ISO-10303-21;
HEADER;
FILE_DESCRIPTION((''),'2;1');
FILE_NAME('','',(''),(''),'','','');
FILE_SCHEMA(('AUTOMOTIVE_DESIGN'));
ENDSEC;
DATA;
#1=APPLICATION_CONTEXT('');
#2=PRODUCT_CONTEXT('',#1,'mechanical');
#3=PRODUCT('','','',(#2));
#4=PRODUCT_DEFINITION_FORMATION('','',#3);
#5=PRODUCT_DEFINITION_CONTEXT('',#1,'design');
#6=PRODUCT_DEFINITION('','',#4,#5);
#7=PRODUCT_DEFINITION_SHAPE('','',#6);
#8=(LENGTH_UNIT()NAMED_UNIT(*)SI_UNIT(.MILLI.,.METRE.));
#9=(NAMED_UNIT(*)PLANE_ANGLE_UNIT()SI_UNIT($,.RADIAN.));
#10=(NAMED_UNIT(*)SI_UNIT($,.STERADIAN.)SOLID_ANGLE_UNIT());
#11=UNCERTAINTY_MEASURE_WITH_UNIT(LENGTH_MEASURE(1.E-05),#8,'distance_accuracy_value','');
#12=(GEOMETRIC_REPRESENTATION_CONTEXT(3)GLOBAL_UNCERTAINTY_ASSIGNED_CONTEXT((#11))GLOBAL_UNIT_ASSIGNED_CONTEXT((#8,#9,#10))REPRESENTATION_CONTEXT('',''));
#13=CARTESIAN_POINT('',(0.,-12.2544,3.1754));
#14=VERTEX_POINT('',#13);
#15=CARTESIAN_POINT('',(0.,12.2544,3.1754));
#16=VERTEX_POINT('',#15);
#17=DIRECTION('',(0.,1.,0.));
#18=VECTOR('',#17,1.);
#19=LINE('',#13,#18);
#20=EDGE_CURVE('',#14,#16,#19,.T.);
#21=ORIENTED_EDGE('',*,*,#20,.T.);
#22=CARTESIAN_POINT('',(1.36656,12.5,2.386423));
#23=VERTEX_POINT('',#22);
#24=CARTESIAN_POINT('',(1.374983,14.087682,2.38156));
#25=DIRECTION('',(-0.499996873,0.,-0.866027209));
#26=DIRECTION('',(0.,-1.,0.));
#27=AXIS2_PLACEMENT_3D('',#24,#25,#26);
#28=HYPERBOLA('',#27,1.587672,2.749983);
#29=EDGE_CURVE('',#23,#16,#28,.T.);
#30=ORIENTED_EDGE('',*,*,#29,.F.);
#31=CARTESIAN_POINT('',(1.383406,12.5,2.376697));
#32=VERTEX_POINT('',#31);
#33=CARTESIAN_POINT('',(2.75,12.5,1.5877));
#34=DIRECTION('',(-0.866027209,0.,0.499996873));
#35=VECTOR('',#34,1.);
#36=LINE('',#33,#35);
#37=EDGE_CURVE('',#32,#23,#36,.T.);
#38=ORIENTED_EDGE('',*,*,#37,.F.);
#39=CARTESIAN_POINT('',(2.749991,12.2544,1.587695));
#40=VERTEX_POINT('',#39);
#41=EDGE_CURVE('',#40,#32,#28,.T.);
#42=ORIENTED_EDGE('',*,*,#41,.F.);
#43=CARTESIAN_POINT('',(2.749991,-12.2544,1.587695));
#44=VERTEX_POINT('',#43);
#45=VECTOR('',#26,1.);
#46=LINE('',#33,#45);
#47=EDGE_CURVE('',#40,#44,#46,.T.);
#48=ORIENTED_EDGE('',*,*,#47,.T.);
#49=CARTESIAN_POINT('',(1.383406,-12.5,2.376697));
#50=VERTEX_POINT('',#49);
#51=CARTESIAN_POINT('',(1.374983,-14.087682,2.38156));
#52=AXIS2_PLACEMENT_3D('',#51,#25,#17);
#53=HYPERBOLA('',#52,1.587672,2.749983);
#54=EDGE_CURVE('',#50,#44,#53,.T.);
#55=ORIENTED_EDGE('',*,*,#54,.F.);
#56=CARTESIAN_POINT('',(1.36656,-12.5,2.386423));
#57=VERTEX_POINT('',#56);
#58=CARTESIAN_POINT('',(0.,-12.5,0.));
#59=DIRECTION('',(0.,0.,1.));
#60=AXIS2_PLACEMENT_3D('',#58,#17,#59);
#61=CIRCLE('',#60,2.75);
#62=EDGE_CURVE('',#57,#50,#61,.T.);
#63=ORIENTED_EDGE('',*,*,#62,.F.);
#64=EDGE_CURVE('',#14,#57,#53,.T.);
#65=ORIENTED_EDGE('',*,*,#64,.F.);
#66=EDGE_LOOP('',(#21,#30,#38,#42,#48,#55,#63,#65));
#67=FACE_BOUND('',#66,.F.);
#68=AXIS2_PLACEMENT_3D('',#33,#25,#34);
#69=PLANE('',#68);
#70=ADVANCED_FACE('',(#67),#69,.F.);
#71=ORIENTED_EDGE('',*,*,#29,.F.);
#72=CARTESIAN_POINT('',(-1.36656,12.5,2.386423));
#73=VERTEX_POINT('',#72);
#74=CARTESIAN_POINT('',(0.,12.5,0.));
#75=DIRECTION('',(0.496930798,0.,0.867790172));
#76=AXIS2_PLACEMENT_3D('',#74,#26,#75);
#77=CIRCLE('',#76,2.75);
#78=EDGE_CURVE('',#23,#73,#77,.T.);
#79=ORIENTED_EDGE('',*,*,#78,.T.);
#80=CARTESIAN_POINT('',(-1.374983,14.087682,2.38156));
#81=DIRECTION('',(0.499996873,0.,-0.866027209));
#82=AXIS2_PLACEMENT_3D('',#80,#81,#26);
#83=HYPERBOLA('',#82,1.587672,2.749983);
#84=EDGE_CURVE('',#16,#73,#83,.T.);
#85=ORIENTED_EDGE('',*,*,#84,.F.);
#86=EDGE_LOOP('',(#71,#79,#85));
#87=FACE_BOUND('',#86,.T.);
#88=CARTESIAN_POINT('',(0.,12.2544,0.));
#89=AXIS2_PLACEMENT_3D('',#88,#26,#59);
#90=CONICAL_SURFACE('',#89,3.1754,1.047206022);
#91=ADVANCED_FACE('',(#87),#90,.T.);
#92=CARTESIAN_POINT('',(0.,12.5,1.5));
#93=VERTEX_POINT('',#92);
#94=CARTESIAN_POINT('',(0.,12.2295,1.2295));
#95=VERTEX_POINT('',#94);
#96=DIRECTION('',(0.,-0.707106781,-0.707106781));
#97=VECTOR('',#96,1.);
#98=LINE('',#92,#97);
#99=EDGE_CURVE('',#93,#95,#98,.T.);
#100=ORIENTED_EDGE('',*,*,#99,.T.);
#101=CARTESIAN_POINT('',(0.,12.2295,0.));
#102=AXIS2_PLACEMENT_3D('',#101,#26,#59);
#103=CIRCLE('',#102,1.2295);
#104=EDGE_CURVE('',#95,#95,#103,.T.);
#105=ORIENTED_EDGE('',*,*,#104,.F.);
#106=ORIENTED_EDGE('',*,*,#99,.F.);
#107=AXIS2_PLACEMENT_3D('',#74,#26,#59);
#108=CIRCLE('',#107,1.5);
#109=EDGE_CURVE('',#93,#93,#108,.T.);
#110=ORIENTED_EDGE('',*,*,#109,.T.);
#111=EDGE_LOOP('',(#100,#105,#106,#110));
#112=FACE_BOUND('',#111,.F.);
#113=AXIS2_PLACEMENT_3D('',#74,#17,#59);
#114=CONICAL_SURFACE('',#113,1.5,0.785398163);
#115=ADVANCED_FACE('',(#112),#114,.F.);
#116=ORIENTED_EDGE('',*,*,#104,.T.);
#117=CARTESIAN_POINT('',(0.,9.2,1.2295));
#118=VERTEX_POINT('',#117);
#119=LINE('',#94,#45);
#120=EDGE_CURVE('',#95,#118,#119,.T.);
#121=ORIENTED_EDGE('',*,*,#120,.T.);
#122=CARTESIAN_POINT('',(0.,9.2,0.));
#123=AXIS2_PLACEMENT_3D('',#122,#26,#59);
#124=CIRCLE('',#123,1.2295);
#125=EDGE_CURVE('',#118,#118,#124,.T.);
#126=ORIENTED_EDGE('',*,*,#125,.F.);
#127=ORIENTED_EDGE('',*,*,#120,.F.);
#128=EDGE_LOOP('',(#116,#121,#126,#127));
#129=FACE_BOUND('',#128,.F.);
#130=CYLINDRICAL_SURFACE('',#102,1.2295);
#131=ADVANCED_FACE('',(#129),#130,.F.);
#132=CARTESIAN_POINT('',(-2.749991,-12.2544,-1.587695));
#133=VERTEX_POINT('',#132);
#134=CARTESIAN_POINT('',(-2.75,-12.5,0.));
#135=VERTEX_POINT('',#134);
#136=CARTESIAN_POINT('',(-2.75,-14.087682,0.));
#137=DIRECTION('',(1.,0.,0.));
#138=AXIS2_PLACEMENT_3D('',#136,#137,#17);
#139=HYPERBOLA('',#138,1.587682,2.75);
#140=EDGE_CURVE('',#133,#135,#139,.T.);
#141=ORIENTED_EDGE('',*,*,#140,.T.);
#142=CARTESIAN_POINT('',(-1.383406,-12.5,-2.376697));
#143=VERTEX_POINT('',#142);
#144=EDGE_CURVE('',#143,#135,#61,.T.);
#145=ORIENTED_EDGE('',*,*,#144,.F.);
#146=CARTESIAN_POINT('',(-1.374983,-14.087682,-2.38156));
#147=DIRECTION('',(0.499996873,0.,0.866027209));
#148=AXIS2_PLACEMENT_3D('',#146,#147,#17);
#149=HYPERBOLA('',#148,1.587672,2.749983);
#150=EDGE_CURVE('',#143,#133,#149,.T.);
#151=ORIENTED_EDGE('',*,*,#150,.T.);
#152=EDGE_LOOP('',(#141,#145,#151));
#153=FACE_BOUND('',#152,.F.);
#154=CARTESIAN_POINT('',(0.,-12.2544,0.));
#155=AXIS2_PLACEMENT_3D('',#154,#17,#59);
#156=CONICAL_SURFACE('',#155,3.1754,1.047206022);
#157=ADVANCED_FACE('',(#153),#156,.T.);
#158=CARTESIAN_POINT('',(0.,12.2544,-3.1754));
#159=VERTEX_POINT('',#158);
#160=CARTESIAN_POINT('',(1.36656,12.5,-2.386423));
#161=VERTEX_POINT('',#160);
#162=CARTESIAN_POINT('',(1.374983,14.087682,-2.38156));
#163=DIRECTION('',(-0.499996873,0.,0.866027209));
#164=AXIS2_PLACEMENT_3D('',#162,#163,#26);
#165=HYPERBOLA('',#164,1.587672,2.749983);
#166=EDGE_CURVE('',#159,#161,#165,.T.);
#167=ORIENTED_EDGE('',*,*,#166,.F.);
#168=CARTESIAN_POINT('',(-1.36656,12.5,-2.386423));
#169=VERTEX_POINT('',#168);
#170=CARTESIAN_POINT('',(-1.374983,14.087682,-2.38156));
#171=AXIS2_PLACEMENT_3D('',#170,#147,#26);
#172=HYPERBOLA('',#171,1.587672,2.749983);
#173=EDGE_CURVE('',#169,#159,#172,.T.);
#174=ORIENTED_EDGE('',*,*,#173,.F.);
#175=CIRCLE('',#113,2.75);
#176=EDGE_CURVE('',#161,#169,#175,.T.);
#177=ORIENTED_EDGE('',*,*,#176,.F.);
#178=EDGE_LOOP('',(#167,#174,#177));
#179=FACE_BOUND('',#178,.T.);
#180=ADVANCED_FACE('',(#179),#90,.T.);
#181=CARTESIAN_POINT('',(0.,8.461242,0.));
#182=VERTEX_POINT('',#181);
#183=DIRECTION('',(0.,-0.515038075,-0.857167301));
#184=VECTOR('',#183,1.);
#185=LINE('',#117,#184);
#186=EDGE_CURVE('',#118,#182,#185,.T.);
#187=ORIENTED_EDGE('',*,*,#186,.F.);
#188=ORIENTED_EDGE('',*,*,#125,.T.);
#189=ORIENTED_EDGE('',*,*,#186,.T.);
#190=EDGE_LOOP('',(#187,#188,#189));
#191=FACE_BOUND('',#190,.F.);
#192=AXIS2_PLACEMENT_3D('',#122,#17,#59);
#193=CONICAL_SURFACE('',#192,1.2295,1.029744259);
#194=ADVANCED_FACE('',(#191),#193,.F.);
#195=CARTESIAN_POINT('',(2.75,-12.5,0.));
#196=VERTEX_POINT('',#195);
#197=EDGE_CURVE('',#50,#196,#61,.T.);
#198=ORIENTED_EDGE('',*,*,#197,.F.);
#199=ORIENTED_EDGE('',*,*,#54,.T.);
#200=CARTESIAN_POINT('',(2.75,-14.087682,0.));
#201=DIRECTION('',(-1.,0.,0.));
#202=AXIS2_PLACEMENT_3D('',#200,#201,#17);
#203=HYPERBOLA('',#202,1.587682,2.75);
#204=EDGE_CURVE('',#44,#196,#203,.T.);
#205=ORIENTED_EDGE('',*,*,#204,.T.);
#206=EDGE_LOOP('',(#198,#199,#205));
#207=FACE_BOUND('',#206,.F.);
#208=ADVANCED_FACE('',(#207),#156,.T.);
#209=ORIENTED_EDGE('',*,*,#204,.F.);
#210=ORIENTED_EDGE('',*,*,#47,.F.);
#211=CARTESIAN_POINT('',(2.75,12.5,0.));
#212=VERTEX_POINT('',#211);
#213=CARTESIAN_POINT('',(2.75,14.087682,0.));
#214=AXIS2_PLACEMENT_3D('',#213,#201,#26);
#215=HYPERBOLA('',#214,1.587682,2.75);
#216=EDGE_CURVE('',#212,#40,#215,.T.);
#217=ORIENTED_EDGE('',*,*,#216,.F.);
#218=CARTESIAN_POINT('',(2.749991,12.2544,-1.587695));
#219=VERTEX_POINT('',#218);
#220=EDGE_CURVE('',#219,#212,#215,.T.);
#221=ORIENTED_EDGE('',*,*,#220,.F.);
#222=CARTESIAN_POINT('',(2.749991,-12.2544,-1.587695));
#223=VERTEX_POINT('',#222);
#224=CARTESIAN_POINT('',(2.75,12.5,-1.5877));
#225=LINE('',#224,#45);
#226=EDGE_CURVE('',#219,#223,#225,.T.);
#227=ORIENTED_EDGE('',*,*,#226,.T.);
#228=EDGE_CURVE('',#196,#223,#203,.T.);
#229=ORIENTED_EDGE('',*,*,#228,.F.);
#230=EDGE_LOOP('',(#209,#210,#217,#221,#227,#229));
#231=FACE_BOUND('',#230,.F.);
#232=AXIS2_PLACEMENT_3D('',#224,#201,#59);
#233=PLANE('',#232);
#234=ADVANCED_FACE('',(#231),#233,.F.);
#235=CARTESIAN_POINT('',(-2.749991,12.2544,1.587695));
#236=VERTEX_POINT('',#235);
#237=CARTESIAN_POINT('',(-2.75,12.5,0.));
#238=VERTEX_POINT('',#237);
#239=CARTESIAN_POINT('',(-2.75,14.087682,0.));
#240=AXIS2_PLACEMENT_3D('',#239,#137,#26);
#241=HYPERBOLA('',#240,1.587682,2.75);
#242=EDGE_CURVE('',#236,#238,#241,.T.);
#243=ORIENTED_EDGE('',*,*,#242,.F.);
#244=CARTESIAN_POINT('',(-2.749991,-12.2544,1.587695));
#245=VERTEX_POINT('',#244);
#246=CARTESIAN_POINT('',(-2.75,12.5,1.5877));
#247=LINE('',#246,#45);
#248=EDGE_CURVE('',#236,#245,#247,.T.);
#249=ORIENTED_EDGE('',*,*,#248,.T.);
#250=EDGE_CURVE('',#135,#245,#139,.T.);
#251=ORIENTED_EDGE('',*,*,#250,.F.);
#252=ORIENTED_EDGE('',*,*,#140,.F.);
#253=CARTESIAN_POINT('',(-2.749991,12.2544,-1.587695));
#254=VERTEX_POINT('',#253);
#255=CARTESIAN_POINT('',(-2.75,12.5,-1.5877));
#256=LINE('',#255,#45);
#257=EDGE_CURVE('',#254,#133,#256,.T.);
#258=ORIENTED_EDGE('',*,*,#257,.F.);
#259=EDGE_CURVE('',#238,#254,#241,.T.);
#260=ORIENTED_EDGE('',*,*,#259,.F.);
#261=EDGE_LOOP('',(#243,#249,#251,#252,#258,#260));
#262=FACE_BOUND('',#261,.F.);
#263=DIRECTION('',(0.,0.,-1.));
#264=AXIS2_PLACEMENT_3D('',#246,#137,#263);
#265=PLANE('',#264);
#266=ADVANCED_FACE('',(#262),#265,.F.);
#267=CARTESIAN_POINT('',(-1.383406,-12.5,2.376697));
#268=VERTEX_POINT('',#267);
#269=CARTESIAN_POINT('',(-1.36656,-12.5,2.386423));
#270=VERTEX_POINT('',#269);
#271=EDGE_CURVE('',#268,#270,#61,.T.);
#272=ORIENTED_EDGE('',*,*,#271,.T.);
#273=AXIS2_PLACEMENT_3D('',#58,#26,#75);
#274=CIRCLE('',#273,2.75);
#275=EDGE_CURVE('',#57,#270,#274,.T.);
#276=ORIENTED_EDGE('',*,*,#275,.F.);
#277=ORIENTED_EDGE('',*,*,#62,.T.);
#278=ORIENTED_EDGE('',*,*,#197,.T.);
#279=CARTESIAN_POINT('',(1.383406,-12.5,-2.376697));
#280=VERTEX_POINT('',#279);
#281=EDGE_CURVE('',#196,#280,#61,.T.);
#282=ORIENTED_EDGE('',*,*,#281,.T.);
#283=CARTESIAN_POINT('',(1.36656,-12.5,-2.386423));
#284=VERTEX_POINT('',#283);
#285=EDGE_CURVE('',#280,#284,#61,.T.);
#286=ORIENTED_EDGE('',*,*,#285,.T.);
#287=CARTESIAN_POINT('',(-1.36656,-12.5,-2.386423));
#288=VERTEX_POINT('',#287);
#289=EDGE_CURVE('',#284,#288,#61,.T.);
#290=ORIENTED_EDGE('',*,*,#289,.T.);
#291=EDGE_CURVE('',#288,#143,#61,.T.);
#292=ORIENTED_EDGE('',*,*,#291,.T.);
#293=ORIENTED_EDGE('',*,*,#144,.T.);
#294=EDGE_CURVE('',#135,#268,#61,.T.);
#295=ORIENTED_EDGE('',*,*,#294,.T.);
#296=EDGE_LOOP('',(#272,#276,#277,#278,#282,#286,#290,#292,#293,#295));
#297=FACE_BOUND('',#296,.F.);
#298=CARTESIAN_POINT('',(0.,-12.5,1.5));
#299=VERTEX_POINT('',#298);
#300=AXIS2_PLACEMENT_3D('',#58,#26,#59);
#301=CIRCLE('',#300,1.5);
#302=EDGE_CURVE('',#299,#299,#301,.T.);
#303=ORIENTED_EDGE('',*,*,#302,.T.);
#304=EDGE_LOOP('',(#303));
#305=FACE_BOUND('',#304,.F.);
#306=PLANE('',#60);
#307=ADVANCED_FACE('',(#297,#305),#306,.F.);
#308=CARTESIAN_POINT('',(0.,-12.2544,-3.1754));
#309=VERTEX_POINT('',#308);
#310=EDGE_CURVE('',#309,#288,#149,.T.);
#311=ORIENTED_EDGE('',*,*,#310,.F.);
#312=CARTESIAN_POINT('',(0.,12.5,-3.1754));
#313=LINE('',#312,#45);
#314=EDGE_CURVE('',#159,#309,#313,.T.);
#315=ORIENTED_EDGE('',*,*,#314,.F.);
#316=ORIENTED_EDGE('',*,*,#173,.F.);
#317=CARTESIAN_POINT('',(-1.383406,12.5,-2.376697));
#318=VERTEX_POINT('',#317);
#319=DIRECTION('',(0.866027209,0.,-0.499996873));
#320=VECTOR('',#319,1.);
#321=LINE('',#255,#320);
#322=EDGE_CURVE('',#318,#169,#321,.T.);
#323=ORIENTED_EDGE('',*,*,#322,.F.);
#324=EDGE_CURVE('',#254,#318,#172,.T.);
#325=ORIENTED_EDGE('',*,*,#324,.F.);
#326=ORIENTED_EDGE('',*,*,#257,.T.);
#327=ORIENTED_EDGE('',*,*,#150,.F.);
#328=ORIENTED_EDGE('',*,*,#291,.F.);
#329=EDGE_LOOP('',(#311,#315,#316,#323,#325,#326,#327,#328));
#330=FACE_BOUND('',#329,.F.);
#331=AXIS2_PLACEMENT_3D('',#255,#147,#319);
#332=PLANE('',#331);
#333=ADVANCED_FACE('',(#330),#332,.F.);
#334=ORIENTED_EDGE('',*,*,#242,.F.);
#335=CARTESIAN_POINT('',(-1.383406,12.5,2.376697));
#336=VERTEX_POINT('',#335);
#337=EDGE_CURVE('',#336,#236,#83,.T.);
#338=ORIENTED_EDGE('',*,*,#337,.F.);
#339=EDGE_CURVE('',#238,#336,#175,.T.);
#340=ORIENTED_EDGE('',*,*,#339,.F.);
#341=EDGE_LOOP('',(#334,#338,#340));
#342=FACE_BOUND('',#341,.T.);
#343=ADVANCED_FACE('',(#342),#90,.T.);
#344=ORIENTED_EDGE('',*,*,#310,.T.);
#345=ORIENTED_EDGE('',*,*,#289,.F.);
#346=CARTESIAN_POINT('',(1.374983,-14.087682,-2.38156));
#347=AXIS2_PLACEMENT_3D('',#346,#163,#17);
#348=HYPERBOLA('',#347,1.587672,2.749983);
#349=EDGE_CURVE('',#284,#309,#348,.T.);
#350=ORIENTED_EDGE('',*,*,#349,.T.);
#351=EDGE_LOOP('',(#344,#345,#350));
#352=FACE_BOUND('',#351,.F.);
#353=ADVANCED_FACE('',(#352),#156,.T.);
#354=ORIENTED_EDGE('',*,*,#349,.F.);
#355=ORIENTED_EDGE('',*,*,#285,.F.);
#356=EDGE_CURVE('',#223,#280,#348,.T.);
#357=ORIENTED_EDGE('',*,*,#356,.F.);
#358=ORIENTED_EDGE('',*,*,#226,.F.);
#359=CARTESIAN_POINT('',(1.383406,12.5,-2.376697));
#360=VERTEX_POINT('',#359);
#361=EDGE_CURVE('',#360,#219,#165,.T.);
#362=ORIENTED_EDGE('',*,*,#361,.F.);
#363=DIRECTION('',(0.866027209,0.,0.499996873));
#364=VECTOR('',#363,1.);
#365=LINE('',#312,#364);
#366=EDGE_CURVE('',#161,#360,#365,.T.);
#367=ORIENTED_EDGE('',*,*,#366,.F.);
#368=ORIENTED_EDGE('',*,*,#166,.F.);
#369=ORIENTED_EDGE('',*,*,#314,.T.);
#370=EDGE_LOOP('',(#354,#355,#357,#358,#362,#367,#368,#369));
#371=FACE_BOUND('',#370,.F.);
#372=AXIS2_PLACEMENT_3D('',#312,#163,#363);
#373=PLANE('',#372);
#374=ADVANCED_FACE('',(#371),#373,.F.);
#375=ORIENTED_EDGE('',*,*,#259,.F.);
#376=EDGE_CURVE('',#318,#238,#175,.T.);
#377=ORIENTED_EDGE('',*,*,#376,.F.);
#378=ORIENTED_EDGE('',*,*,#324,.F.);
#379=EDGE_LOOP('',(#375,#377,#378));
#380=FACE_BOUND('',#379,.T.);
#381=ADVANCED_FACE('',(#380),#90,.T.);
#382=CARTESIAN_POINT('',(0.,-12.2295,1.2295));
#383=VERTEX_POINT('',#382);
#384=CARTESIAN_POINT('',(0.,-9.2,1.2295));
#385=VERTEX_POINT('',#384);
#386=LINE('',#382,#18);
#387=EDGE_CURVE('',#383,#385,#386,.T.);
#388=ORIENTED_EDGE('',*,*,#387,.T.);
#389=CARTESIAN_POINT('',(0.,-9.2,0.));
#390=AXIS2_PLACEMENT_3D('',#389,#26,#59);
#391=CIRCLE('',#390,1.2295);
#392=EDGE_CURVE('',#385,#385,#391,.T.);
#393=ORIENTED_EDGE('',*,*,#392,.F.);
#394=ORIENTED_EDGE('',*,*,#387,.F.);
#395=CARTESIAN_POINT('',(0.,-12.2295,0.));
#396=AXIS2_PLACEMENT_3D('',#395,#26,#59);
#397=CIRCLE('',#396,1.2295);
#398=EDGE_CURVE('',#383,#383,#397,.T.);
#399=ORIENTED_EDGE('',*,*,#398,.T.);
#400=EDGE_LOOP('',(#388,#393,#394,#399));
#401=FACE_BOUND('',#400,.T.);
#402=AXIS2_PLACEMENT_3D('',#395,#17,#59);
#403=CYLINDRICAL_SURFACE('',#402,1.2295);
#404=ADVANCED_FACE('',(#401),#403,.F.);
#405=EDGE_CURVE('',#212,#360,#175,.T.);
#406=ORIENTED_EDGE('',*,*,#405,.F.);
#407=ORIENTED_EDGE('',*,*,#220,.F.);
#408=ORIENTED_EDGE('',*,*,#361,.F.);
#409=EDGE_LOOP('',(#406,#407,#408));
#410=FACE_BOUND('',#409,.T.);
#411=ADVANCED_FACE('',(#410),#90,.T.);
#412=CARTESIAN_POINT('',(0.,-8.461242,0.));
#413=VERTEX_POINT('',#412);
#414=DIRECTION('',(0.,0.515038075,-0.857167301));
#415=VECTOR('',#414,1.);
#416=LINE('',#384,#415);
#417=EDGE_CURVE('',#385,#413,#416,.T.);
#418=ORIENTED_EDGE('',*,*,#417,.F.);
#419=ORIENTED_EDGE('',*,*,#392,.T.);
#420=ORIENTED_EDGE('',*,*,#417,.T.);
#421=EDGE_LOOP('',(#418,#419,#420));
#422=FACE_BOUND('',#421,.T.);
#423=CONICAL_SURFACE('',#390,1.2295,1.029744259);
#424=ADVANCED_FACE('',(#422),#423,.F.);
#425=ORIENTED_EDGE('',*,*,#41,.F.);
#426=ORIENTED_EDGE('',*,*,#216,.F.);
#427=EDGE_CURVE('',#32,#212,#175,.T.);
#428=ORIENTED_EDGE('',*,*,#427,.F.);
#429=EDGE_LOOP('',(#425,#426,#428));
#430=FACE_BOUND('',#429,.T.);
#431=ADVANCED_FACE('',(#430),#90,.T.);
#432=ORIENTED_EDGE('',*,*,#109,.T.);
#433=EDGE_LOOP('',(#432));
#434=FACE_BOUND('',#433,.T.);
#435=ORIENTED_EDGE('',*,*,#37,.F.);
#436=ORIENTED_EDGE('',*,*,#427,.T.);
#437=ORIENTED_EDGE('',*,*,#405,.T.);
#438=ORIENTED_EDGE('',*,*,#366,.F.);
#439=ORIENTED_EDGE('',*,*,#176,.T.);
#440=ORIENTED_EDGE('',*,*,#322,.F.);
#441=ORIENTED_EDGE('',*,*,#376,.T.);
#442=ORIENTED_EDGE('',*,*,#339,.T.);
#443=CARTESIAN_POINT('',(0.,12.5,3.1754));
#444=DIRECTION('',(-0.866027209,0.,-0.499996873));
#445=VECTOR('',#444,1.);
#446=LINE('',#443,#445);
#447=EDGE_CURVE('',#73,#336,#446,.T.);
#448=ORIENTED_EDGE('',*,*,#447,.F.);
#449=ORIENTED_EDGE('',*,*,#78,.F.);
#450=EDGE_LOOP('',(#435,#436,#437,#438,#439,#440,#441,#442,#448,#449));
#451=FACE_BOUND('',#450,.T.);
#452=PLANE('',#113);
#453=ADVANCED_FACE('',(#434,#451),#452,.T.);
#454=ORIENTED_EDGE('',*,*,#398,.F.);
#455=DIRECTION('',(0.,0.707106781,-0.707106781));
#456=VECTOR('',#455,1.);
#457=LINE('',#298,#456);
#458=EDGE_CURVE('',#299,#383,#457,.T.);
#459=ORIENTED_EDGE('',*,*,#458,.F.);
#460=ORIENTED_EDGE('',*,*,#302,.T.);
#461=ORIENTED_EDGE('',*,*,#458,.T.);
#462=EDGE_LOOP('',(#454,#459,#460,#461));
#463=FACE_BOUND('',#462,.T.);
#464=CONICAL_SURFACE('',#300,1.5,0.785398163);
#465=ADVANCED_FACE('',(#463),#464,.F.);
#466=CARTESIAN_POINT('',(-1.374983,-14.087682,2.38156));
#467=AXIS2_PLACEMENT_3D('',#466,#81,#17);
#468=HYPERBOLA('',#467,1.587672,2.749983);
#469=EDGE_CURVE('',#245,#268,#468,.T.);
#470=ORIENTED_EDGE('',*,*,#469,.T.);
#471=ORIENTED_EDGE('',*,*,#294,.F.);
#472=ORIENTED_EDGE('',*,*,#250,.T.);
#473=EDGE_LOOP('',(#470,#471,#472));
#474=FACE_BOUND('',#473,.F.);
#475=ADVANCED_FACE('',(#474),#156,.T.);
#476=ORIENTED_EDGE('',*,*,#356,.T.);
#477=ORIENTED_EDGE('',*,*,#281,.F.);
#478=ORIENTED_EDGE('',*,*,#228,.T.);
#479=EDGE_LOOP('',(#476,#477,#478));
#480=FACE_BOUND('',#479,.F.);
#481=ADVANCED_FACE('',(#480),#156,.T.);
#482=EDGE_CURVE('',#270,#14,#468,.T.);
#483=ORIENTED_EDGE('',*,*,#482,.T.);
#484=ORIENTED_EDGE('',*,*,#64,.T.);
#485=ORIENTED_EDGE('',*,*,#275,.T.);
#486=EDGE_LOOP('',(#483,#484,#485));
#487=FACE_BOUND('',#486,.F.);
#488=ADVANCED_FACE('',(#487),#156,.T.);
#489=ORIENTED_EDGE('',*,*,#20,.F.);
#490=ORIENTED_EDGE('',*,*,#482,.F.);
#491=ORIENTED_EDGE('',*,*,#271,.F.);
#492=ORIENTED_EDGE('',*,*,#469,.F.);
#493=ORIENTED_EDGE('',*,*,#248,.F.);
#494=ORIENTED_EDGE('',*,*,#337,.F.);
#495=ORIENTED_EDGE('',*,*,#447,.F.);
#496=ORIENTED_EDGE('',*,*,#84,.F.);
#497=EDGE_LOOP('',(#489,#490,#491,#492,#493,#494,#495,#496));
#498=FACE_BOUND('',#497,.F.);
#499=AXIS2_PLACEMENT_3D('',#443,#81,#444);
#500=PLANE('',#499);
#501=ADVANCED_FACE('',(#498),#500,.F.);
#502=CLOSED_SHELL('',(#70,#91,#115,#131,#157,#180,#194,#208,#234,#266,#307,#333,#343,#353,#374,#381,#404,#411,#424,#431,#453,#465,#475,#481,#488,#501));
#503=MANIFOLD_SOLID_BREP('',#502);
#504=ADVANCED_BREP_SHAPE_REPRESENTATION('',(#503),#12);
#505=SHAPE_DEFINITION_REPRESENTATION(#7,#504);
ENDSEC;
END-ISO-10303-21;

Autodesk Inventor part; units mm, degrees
ref_plane "YZ Plane" through (0, 0, 0) normal (1, 0, 0) x (0, 1, 0)
ref_plane "XZ Plane" through (0, 0, 0) normal (0, 1, 0) x (-1, 0, 0)
ref_plane "XY Plane" through (0, 0, 0) normal (0, 0, 1) x (1, 0, 0)
sketch "スケッチ1" plane through (0, 0, 0) normal (1, 0, 0) x (0, 1, 0)
  line L0 (-12.5, 0) -> (12.5, 0)
  line L1 (0, 0) -> (0, 3.1754) construction
  line L2 (-12.2544, 3.1754) -> (-12.5, 2.75)
  line L3 (-12.5, 2.75) -> (-12.5, 0)
  line L4 (-12.2544, 3.1754) -> (12.2544, 3.1754)
  line L5 (12.2544, 3.1754) -> (12.5, 2.75)
  line L6 (12.5, 2.75) -> (12.5, 0)
  dimension "d1" = 2.75
  dimension "d2" = 3.1754
  dimension "d3" = 30
  dimension "d4" = 25
revolve "回転1" add sketch "スケッチ1" angle 360 about axis through (0, -12.5, 0) along (0, 1, 0)
sketch "スケッチ2" plane through (0, 12.5, 0) normal (0, 1, 0) x (1, 0, 0)
  line L0 (0, -3.1754) -> (-2.75, -1.5877)
  line L1 (-2.75, -1.5877) -> (-2.75, 1.5877)
  line L2 (-2.75, 1.5877) -> (0, 3.1754)
  line L3 (0, 3.1754) -> (2.75, 1.5877)
  line L4 (2.75, 1.5877) -> (2.75, -1.5877)
  line L5 (2.75, -1.5877) -> (0, -3.1754)
  circle A0 centre (0, 0) radius 3.1754 projected
  point P0 (0, 0)
  point P1 (0, 0)
  point P2 (0, 0)
  point P3 (0, 0)
  point P4 (0, 3.1754)
  point P5 (0, 3.1754)
  point P6 (2.75, -1.5877)
  point P7 (2.75, -1.5877)
extrude "押し出し1" cut sketch "スケッチ2" against normal through all contours A0 L0 | L5 A0 | A0 L1 | L4 A0 | A0 L2 | L3 A0
hole "穴1" at (0, 12.5, 0) direction (0, -1, 0) diameter 2.459 depth 3.3 tip angle 118 countersink diameter 3 countersink angle 90 thread size "M3x0.5" class "6H" standard "ISO Metric profile"
mirror "Mirror1" about plane through (0, 0, 0) normal (0, 1, 0) of "穴1"
equation "\"d2\" = 1.1547 * d1"
properties part number "BSL-325BE" material "Aluminum 2014-T4"
